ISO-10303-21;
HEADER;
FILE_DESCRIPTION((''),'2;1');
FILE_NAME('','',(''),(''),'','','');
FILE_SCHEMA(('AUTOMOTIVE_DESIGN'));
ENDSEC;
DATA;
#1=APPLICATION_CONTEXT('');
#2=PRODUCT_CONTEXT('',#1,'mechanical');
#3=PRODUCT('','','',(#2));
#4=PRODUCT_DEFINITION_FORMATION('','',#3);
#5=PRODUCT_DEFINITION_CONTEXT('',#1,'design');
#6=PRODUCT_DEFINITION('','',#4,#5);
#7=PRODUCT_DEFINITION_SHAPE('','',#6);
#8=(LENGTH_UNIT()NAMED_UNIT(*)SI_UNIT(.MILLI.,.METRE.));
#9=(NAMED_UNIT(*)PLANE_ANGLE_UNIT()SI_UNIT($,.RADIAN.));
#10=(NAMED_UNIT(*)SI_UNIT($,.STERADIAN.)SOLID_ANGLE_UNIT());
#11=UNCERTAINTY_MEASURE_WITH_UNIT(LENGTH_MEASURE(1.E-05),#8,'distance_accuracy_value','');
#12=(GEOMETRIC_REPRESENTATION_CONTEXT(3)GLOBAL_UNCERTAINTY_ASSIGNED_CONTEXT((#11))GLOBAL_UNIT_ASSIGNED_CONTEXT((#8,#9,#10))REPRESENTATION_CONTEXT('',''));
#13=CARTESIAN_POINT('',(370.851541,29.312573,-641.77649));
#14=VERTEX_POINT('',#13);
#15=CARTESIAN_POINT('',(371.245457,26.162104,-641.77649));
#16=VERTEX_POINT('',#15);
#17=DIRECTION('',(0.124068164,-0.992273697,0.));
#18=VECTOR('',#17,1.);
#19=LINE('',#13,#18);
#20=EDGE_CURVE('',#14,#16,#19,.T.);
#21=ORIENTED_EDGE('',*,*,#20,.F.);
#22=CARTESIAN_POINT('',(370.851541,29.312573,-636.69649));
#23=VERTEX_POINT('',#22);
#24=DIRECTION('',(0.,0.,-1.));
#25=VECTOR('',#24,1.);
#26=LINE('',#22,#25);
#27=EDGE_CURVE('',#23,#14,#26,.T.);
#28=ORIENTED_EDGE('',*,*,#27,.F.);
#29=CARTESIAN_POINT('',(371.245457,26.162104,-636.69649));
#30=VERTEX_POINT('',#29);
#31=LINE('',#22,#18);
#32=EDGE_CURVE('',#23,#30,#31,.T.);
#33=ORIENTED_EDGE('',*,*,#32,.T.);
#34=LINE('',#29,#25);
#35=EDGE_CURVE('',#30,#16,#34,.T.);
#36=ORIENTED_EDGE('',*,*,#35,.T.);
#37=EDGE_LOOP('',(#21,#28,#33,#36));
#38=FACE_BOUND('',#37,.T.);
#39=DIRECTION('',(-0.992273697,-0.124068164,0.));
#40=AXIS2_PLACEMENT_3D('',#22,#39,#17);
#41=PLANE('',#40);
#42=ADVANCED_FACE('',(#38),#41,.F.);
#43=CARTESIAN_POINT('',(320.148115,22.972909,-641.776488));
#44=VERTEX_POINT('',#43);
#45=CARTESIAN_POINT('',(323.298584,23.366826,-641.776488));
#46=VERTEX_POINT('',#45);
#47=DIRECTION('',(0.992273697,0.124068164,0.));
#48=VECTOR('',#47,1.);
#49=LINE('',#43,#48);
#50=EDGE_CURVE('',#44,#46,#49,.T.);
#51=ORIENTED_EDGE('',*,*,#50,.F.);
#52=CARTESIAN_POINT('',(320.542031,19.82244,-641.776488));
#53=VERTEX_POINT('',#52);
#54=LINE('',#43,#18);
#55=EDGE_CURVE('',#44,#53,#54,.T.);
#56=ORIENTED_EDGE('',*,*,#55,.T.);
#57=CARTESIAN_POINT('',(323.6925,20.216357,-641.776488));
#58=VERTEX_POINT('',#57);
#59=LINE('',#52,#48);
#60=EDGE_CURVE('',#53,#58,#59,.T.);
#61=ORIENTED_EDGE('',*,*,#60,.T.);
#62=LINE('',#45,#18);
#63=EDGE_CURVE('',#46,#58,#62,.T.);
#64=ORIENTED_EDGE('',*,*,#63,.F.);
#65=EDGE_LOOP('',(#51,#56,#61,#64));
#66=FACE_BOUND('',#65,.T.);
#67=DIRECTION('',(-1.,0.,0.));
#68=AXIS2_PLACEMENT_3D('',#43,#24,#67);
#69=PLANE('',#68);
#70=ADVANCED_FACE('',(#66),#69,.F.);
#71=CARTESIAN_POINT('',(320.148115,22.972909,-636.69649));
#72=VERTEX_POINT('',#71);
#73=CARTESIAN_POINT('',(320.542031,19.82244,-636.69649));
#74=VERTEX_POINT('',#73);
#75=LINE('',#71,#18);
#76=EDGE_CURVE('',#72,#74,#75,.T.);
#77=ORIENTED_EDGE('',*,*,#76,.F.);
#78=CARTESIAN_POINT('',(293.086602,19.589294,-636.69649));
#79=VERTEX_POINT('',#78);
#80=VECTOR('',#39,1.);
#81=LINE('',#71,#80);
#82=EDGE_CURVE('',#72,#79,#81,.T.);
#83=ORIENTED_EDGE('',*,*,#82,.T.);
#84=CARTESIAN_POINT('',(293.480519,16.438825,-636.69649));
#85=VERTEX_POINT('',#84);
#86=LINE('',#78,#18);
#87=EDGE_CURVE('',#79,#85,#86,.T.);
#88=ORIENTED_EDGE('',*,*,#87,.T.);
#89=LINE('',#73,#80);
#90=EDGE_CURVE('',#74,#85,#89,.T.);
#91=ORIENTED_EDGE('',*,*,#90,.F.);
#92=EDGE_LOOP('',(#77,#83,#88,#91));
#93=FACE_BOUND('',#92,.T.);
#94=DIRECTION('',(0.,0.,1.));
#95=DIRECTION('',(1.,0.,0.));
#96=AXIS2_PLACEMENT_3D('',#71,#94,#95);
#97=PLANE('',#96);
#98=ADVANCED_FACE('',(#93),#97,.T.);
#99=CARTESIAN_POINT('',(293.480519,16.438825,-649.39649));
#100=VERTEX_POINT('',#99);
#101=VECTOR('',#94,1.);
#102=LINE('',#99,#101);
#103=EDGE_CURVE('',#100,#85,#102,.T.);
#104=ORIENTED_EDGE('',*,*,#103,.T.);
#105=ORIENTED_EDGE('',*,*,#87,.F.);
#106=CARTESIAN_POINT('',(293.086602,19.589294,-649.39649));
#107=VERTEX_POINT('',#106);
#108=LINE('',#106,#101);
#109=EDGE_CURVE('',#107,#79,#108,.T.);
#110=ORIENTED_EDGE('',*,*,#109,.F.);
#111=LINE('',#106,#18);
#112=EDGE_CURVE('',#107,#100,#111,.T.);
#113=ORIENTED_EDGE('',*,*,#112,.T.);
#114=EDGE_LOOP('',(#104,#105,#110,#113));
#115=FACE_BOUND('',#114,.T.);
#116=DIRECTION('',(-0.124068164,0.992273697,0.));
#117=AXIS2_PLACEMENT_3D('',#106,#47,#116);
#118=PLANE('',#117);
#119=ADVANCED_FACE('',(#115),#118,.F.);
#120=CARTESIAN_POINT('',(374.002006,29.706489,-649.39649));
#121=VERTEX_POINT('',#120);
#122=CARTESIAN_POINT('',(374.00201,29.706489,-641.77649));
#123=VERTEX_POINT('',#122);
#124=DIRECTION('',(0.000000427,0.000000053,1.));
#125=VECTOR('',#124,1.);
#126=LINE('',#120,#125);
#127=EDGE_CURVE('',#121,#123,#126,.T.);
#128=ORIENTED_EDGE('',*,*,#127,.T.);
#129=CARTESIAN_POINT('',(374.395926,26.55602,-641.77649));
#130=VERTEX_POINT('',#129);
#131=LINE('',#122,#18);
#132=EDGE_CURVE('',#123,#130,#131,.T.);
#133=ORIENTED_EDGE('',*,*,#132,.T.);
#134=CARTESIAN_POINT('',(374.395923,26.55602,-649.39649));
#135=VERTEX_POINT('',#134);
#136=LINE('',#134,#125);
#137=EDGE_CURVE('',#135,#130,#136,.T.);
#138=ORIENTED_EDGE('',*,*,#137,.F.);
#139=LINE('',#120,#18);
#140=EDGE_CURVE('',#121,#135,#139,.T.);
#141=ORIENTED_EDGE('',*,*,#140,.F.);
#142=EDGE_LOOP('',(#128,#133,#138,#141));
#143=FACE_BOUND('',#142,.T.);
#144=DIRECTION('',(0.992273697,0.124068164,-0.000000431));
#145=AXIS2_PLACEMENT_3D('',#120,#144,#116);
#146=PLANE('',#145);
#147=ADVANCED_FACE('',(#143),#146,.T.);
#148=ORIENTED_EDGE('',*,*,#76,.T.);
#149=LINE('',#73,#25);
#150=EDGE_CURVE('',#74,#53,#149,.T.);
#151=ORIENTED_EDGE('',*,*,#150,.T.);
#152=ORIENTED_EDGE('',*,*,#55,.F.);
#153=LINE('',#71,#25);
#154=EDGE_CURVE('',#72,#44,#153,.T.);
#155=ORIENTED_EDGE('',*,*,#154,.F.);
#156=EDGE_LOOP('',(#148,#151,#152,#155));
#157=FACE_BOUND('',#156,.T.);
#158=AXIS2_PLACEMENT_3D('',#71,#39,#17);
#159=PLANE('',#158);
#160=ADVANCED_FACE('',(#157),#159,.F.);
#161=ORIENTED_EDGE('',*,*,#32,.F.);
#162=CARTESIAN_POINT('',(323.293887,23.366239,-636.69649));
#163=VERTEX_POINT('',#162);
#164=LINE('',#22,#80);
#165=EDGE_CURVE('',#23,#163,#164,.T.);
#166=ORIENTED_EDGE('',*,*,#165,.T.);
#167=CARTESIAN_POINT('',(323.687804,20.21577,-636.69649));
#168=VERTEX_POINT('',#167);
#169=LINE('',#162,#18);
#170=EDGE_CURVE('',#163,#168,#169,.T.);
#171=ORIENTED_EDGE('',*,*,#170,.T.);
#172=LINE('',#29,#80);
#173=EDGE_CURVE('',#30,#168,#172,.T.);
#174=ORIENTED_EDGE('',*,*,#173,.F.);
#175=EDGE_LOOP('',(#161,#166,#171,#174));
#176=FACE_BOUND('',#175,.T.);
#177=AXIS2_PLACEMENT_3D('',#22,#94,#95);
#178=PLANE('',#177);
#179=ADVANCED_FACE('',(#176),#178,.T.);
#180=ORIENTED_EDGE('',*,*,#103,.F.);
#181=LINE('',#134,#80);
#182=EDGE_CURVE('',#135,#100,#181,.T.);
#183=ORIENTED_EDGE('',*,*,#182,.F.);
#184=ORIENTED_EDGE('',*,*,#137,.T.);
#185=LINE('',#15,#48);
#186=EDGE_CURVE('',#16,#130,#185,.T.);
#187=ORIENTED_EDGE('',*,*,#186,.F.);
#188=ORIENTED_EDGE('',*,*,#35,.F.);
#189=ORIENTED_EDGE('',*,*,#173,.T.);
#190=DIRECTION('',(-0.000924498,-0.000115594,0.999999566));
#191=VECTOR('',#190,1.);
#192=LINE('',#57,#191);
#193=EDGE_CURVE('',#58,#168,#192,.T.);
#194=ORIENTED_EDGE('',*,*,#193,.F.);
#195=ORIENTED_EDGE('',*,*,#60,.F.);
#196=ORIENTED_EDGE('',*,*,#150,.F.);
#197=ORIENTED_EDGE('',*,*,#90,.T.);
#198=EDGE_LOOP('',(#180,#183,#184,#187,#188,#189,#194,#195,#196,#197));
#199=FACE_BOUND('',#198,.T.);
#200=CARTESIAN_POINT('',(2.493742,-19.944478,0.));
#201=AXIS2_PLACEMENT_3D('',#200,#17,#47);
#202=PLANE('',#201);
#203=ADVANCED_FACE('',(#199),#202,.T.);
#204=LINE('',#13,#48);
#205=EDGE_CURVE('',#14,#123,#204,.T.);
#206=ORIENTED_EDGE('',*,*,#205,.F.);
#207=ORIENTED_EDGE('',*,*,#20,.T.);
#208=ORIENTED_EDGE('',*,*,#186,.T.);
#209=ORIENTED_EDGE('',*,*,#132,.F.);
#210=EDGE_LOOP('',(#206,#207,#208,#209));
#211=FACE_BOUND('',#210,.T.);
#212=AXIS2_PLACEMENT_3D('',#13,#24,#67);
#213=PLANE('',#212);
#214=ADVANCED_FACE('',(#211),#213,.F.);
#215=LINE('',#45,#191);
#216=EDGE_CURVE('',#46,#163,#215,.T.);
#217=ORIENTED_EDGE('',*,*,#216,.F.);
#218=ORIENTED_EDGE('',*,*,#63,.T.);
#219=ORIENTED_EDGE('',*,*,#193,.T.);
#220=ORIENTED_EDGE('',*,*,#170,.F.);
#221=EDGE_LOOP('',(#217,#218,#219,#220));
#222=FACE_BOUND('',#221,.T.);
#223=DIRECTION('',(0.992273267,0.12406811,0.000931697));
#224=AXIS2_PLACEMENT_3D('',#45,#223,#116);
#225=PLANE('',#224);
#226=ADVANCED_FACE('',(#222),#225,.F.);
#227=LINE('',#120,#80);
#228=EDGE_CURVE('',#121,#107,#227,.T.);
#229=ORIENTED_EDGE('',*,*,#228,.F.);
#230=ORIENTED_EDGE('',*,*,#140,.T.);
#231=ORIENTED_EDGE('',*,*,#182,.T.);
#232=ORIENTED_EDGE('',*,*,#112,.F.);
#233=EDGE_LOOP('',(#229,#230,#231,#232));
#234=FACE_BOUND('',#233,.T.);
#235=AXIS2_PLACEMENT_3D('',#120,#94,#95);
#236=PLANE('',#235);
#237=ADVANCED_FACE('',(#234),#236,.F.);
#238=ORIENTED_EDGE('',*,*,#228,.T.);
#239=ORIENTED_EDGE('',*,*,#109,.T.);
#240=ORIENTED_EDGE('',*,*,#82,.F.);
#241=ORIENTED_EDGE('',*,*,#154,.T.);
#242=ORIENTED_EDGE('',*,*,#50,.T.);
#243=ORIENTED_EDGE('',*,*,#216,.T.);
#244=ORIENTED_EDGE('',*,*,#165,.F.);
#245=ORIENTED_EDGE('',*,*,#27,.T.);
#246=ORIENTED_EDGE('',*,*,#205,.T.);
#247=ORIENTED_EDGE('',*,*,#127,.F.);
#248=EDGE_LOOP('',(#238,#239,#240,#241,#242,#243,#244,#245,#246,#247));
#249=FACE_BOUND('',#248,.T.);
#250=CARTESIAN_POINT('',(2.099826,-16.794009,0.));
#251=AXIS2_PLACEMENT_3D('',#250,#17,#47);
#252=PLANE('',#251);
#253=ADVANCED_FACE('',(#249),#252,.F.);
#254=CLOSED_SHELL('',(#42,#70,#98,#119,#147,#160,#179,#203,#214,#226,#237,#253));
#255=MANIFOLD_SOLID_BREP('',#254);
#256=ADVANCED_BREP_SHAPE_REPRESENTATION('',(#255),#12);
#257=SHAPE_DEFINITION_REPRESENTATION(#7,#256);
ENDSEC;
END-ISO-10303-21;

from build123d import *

# Parameters (mm, degrees)
BOSS_EXTRUDE1_DEPTH = 3.175


with BuildPart() as part:
    # Sketch1 → Boss-Extrude1 (new body)
    with BuildSketch(Plane(origin=(2.493742196, -19.944478146, 0), x_dir=(0.9922736974441427, 0.12406816417006415, 0), z_dir=(-0.12406816417006414, 0.9922736974441426, 0))):
        Polygon((374.797983109, 649.396489798), (293.252534485, 649.396489798), (293.252534485, 636.696489798), (320.52476033, 636.696489798), (320.52476033, 641.776487594), (323.69976033, 641.776487594), (323.695027309, 636.696489798), (371.62298639, 636.696489798), (371.62298639, 641.776489798), (374.79798639, 641.776489798), align=None)
    extrude(amount=BOSS_EXTRUDE1_DEPTH)


solid = part.part
